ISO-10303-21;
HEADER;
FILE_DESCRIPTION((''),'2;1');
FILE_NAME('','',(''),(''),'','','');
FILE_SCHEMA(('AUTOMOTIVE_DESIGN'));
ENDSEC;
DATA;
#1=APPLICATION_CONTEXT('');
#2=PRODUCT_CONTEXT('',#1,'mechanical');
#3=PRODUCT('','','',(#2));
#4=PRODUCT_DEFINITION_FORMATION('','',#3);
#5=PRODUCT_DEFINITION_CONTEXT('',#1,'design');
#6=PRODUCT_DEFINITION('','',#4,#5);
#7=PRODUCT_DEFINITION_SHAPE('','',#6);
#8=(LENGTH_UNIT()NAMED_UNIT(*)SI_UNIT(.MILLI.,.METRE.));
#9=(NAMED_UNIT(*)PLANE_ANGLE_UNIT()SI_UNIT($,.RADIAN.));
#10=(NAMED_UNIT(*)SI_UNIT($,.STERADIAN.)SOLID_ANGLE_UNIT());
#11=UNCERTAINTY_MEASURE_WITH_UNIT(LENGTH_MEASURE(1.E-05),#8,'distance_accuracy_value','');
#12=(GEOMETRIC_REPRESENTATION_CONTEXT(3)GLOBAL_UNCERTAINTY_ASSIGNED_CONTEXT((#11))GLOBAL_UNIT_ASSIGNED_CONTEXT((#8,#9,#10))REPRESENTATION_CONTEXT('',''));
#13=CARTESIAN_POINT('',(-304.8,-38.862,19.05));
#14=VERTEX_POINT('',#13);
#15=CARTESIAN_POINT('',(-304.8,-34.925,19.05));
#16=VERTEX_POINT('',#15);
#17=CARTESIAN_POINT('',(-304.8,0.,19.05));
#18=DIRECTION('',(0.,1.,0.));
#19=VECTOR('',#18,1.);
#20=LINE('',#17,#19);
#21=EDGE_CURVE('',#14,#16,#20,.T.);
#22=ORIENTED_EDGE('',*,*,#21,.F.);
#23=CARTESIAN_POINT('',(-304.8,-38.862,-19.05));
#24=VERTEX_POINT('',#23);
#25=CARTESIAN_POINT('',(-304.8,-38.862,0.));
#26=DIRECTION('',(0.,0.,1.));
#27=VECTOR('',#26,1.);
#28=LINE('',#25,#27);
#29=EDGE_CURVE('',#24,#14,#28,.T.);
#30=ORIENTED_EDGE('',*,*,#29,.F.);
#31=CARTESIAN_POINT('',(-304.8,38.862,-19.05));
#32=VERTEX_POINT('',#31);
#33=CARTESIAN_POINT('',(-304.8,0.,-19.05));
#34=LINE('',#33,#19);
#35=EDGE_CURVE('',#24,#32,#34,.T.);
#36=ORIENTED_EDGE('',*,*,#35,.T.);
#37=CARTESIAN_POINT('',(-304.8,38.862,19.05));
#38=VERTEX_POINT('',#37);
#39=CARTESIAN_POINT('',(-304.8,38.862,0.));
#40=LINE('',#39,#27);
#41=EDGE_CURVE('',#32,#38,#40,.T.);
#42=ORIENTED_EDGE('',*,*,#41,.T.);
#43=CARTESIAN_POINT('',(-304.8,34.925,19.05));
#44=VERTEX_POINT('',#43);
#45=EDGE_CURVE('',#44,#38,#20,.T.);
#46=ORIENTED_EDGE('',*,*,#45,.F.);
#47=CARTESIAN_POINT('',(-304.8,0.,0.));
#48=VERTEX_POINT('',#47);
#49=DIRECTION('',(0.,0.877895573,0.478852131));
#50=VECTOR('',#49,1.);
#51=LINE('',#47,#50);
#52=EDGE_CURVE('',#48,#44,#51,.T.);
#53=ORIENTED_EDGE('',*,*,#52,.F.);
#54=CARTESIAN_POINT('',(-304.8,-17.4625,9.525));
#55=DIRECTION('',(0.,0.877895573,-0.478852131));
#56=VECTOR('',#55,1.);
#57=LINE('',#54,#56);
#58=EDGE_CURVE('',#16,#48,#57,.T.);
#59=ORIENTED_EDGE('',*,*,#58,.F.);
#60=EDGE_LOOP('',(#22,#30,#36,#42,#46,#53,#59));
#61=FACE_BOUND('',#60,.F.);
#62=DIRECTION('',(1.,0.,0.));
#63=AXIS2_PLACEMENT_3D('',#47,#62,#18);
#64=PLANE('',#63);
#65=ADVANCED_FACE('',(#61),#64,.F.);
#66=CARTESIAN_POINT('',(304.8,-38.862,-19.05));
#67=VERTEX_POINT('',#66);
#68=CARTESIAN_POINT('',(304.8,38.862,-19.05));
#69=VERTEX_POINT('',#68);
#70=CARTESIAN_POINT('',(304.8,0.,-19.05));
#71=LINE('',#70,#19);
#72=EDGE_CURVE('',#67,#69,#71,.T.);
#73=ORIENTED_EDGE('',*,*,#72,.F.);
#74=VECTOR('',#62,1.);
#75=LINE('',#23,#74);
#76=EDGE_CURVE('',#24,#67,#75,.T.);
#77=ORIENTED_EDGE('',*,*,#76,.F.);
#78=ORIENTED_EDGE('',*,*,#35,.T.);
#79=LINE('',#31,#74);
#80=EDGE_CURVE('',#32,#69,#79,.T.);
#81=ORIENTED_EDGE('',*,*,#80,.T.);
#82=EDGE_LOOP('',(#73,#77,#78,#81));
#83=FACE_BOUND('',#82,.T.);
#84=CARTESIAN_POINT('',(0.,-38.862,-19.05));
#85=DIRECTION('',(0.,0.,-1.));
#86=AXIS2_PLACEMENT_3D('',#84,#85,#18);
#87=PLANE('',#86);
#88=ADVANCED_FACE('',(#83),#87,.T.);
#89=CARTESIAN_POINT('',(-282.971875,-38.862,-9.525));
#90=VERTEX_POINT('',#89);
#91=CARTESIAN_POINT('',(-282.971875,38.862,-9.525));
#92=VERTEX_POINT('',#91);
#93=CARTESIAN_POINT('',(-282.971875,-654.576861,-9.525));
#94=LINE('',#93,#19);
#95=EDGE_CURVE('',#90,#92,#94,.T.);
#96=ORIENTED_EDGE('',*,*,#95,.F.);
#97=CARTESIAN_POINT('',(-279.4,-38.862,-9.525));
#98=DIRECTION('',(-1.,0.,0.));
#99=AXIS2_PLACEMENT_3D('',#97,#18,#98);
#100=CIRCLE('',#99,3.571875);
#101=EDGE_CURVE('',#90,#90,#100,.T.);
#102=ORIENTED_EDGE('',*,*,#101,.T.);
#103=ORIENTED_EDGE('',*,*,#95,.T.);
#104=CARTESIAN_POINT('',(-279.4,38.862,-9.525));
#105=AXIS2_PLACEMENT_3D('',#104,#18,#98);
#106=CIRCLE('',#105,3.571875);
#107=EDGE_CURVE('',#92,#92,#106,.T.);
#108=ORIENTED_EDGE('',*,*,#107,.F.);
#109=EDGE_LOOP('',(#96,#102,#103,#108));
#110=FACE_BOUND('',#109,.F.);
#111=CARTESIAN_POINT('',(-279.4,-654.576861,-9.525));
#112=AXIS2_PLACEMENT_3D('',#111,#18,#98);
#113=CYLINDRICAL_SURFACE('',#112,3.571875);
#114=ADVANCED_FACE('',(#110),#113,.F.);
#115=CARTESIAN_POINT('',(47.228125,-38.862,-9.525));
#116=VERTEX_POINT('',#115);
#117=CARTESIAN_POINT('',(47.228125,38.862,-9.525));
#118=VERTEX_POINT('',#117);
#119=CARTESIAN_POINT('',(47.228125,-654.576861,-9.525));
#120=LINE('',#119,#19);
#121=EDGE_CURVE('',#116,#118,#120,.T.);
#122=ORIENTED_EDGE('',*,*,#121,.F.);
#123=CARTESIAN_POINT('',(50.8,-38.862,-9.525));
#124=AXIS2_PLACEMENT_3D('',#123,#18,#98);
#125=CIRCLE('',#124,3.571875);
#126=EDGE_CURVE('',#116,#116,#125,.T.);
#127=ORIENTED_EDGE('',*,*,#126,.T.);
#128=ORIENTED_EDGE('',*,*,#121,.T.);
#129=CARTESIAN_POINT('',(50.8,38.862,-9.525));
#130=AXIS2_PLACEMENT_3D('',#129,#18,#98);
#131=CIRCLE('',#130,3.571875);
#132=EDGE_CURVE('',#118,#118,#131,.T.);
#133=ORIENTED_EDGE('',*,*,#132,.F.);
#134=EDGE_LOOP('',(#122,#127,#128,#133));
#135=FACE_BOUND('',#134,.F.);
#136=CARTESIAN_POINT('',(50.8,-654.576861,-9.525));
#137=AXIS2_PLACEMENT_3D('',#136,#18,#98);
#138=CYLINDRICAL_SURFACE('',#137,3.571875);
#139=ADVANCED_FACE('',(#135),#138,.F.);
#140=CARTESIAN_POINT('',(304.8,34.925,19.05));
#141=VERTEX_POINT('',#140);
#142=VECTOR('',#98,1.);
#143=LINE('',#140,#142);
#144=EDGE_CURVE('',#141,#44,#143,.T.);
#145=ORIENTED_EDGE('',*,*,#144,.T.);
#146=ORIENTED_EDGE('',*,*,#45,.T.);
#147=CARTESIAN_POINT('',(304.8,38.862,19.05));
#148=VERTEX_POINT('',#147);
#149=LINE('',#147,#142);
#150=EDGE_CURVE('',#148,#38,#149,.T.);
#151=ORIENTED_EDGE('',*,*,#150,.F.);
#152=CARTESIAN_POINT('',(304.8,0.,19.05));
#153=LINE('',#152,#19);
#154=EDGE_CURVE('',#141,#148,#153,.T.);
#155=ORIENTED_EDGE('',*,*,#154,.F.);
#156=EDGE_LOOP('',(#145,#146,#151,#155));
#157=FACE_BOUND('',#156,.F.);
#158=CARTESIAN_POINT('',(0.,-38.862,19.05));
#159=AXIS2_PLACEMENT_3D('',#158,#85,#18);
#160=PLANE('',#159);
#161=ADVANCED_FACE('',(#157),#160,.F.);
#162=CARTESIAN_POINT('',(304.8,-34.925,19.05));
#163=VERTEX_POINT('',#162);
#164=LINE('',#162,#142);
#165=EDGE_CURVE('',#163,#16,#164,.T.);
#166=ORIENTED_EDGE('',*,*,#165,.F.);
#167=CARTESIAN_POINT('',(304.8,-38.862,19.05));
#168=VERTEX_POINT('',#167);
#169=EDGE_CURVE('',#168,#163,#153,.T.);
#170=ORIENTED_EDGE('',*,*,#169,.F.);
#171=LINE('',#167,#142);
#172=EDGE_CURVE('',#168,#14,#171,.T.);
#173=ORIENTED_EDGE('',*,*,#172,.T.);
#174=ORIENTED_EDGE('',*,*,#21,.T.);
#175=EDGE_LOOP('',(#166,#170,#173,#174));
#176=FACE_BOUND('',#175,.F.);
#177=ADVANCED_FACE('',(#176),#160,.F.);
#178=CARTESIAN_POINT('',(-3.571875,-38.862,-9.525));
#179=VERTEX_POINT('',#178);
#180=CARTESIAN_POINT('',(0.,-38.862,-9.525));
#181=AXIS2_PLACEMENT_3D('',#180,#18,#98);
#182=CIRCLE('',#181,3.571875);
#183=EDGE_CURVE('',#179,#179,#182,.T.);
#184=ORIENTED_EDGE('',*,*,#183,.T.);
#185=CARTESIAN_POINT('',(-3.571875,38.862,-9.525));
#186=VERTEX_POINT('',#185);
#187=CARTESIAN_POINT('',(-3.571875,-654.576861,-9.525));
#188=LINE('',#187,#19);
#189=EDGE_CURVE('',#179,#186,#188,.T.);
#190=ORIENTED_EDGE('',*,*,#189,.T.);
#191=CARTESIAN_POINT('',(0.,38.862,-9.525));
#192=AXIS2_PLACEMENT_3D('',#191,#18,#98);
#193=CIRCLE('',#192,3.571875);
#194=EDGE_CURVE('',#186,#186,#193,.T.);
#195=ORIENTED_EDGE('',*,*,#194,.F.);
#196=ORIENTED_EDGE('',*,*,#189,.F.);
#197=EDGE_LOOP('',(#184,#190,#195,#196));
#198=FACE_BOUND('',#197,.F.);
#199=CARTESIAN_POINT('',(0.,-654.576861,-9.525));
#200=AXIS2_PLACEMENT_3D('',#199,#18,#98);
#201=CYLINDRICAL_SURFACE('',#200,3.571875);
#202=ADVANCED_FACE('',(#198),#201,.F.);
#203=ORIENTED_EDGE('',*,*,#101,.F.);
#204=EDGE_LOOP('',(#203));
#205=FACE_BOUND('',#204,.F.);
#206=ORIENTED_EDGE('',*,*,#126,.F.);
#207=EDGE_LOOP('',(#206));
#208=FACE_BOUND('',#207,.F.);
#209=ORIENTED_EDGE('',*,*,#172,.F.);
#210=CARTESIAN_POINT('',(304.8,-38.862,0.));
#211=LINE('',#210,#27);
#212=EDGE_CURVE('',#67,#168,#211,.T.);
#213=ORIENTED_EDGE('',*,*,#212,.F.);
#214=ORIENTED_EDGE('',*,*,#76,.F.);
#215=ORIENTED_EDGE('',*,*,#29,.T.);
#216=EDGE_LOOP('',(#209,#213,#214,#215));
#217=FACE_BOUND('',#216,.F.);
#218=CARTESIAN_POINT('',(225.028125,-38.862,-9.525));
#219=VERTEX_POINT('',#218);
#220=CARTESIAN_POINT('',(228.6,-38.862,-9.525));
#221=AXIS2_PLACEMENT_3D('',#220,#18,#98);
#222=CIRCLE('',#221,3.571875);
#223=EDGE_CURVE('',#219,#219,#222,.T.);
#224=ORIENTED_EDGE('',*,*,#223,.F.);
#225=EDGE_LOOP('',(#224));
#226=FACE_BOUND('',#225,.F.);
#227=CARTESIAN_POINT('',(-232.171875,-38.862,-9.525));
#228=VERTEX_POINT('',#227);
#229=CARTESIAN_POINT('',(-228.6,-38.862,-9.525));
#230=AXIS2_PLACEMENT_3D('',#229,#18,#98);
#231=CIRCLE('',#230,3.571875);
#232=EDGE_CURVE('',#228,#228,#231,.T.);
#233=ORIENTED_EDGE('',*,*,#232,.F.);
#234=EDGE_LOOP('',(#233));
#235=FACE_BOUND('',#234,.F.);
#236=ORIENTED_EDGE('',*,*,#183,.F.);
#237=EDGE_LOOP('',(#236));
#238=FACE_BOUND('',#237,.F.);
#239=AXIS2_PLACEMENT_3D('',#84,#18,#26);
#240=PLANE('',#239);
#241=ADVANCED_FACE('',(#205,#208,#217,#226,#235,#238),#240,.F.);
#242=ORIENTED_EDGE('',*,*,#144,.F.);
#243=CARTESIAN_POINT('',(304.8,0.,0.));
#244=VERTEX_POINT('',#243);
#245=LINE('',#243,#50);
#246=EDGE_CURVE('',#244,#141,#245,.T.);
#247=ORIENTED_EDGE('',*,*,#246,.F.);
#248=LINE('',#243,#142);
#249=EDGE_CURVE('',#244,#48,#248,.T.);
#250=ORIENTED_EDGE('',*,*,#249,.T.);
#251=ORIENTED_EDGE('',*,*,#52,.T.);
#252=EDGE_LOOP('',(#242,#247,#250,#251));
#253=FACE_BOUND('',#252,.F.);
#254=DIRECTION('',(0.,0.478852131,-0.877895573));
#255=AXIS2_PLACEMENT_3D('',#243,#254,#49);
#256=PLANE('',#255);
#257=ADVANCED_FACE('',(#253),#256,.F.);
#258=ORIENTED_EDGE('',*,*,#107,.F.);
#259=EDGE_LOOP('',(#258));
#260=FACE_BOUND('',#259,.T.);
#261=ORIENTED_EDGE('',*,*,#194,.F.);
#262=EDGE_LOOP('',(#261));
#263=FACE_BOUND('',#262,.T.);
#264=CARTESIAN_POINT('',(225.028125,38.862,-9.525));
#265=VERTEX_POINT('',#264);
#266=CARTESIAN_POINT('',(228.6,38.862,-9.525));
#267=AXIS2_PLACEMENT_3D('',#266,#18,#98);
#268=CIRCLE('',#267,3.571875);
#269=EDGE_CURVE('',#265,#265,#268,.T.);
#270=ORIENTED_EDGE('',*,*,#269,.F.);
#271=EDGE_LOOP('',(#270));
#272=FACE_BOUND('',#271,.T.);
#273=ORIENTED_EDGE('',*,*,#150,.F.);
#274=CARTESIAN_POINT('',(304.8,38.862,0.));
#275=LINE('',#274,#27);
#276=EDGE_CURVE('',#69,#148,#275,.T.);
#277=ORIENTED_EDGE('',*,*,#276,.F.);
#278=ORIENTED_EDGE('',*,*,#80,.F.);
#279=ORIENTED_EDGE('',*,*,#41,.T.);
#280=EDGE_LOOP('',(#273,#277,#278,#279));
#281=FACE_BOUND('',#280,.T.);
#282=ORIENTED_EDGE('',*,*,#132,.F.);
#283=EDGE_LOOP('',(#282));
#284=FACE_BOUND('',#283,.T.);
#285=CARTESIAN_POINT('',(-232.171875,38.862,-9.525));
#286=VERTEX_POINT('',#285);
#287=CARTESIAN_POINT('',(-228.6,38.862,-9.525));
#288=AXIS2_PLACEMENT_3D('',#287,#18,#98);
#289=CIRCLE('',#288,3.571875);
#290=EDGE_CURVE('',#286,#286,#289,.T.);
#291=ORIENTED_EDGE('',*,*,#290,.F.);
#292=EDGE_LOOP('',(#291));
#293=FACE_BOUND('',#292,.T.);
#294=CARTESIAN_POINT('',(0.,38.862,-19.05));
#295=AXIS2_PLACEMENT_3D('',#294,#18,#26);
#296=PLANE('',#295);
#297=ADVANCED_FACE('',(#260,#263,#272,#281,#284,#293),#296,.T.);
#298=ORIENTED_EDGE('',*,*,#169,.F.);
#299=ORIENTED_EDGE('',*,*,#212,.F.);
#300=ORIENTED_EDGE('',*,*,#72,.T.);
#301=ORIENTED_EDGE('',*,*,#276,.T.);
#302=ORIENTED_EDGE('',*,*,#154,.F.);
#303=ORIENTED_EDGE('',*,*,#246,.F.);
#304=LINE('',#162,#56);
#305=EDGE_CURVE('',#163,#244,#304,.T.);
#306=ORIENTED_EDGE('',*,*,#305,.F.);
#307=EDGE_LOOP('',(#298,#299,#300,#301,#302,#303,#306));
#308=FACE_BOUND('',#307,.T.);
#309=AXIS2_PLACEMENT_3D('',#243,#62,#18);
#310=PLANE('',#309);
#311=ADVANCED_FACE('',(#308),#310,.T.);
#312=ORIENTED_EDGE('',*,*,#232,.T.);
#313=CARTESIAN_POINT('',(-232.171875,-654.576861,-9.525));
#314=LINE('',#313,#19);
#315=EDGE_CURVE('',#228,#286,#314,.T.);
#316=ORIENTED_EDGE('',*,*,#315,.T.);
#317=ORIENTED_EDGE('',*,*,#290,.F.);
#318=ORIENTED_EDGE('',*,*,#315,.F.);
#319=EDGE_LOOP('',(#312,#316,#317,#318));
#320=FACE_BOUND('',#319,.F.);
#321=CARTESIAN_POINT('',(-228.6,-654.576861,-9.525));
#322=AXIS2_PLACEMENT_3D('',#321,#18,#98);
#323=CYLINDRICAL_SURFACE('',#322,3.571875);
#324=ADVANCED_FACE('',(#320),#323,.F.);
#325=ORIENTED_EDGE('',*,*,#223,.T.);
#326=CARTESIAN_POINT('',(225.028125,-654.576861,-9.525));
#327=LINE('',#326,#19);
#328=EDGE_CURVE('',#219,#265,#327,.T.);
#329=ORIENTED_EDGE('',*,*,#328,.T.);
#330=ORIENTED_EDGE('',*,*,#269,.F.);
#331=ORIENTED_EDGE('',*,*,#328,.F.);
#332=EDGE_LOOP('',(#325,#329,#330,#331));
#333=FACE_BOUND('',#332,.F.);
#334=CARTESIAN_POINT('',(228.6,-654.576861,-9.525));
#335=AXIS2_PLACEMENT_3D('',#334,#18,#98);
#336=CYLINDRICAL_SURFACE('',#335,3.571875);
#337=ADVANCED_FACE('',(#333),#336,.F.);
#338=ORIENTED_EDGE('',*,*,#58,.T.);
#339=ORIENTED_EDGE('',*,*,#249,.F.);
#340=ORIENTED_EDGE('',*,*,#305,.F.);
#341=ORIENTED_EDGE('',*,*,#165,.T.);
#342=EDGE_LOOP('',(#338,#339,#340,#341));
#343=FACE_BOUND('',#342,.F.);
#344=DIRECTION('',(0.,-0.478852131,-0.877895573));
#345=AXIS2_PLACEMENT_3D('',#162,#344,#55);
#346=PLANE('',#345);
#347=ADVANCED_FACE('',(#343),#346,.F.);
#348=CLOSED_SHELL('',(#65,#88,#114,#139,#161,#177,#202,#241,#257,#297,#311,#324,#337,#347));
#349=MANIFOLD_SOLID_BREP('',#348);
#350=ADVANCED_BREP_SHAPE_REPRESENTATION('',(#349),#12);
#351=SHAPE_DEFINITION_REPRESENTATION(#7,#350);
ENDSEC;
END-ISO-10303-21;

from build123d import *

# Parameters (mm, degrees)
F0_W     = 77.724
F0_H     = 38.1
F1_DEPTH = 304.8
F3_DEPTH = 609.601
F5_D     = 7.14375


with BuildPart() as f1:
    # F0 (on Right) → F1 (new body, symmetric)
    with BuildSketch(Plane.YZ):
        Rectangle(F0_W, F0_H)
    extrude(amount=F1_DEPTH, both=True)

    # F2 (on face) → F3 (cut, through all)
    with BuildSketch(Plane.YZ.offset(304.8)):
        Polygon((34.925, 19.05), (-34.925, 19.05), (0, 0), align=None)
    extrude(amount=-F3_DEPTH, mode=Mode.SUBTRACT)

    # F5 (through all)
    with Locations(Plane.XZ.offset(38.862)):
        with Locations((-228.6, -9.525), (0, -9.525), (228.6, -9.525), (-279.4, -9.525), (50.8, -9.525)):
            Hole(F5_D / 2)


solid = f1.part
